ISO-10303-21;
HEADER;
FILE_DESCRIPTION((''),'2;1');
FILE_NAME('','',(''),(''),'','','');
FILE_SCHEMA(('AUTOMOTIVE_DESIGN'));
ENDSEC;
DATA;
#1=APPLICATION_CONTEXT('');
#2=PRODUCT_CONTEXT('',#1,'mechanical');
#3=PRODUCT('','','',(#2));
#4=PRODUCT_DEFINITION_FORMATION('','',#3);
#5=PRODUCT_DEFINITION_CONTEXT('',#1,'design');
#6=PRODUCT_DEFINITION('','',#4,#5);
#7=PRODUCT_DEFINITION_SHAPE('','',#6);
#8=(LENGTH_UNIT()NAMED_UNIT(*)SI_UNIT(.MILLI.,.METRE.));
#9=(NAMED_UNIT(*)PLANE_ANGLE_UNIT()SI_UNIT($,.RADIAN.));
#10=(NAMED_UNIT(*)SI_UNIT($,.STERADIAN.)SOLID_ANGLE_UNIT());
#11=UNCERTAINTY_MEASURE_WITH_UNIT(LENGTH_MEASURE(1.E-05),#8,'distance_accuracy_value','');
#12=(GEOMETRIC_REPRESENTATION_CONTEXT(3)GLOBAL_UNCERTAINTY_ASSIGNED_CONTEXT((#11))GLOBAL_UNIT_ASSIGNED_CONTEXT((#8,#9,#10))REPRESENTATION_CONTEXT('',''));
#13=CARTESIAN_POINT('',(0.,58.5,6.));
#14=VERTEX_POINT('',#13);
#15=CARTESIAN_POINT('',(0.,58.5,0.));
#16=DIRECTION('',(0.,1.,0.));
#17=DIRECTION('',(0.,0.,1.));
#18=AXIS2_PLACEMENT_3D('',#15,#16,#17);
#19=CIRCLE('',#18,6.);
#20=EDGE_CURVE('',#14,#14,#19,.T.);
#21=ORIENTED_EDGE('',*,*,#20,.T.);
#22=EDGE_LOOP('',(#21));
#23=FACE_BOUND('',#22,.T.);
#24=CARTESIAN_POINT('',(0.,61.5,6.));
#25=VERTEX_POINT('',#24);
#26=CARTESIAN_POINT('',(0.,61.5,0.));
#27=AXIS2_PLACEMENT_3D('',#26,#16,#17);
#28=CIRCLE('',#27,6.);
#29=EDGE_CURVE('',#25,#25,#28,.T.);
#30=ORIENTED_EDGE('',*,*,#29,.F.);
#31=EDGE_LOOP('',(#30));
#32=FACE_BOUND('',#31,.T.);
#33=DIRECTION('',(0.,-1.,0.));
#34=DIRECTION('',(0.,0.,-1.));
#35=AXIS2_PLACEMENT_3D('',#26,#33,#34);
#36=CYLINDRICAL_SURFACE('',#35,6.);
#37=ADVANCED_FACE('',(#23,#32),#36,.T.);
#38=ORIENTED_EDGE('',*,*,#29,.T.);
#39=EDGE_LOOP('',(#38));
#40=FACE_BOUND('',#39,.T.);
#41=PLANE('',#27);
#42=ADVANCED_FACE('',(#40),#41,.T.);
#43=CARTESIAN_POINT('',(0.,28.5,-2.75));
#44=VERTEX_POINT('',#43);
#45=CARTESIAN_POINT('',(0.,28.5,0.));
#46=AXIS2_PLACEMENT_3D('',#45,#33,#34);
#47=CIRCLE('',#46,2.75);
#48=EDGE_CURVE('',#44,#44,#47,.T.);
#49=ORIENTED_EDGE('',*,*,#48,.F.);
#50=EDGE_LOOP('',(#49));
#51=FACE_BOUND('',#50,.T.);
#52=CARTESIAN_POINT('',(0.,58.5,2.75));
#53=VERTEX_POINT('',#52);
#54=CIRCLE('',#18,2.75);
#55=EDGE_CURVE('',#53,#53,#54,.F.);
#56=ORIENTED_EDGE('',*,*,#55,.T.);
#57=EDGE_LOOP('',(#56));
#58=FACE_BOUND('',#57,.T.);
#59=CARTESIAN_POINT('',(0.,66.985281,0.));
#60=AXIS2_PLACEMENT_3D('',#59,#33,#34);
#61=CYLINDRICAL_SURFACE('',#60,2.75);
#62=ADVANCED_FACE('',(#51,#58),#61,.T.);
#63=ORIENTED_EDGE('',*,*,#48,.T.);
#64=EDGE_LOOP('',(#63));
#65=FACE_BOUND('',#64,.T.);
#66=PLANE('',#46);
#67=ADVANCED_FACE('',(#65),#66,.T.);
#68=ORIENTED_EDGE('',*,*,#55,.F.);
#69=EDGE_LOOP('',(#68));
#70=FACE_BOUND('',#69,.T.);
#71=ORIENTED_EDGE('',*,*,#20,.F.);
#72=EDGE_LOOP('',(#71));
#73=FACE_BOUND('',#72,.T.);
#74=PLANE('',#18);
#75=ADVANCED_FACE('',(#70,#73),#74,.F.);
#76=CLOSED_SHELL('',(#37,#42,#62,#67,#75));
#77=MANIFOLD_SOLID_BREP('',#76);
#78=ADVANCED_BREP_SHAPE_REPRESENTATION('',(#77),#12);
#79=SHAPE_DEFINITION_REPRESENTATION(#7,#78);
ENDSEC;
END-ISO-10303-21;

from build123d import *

# Parameters (mm, degrees)
SKETCH1_R           = 10
BOSS_EXTRUDE1_DEPTH = 90
SCALE_1_SCALE       = 0.3
SKETCH_1_R          = 6
EXTRUDE_1_DEPTH     = 3
SKETCH_2_R          = 3
EXTRUDE_3_DEPTH     = 3
SKETCH_3_R          = 3
SKETCH_3_R_2        = 2.75
CUT_EXTRUDE_2_DEPTH = 30


with BuildPart() as part:
    # Sketch1 → Boss-Extrude1 (new body)
    with BuildSketch(Plane(origin=(0, 0, 0), x_dir=(1, 0, 0), z_dir=(0, 1, 0))):
        Circle(SKETCH1_R)
    extrude(amount=BOSS_EXTRUDE1_DEPTH)


with BuildPart() as part_1:
    # 축척1: scaled about (0, 45, 0)
    add(part.part.scale(SCALE_1_SCALE).moved(Location((0, 31.5, 0))))

    # 스케치1 → 보스-돌출1 (add)
    with BuildSketch(Plane(origin=(0, 58.5, 0), x_dir=(1, 0, 0), z_dir=(0, 1, 0))):
        Circle(SKETCH_1_R)
    extrude(amount=EXTRUDE_1_DEPTH)

    # 스케치2 → 보스-돌출3 (add)
    with BuildSketch(Plane.XZ.offset(-31.5)):
        Circle(SKETCH_2_R)
    extrude(amount=EXTRUDE_3_DEPTH)

    # 스케치3 → 컷-돌출2 (cut)
    with BuildSketch(Plane.XZ.offset(-28.5)):
        Circle(SKETCH_3_R)
        Circle(SKETCH_3_R_2, mode=Mode.SUBTRACT)
    extrude(amount=-CUT_EXTRUDE_2_DEPTH, mode=Mode.SUBTRACT)


solid = part_1.part
